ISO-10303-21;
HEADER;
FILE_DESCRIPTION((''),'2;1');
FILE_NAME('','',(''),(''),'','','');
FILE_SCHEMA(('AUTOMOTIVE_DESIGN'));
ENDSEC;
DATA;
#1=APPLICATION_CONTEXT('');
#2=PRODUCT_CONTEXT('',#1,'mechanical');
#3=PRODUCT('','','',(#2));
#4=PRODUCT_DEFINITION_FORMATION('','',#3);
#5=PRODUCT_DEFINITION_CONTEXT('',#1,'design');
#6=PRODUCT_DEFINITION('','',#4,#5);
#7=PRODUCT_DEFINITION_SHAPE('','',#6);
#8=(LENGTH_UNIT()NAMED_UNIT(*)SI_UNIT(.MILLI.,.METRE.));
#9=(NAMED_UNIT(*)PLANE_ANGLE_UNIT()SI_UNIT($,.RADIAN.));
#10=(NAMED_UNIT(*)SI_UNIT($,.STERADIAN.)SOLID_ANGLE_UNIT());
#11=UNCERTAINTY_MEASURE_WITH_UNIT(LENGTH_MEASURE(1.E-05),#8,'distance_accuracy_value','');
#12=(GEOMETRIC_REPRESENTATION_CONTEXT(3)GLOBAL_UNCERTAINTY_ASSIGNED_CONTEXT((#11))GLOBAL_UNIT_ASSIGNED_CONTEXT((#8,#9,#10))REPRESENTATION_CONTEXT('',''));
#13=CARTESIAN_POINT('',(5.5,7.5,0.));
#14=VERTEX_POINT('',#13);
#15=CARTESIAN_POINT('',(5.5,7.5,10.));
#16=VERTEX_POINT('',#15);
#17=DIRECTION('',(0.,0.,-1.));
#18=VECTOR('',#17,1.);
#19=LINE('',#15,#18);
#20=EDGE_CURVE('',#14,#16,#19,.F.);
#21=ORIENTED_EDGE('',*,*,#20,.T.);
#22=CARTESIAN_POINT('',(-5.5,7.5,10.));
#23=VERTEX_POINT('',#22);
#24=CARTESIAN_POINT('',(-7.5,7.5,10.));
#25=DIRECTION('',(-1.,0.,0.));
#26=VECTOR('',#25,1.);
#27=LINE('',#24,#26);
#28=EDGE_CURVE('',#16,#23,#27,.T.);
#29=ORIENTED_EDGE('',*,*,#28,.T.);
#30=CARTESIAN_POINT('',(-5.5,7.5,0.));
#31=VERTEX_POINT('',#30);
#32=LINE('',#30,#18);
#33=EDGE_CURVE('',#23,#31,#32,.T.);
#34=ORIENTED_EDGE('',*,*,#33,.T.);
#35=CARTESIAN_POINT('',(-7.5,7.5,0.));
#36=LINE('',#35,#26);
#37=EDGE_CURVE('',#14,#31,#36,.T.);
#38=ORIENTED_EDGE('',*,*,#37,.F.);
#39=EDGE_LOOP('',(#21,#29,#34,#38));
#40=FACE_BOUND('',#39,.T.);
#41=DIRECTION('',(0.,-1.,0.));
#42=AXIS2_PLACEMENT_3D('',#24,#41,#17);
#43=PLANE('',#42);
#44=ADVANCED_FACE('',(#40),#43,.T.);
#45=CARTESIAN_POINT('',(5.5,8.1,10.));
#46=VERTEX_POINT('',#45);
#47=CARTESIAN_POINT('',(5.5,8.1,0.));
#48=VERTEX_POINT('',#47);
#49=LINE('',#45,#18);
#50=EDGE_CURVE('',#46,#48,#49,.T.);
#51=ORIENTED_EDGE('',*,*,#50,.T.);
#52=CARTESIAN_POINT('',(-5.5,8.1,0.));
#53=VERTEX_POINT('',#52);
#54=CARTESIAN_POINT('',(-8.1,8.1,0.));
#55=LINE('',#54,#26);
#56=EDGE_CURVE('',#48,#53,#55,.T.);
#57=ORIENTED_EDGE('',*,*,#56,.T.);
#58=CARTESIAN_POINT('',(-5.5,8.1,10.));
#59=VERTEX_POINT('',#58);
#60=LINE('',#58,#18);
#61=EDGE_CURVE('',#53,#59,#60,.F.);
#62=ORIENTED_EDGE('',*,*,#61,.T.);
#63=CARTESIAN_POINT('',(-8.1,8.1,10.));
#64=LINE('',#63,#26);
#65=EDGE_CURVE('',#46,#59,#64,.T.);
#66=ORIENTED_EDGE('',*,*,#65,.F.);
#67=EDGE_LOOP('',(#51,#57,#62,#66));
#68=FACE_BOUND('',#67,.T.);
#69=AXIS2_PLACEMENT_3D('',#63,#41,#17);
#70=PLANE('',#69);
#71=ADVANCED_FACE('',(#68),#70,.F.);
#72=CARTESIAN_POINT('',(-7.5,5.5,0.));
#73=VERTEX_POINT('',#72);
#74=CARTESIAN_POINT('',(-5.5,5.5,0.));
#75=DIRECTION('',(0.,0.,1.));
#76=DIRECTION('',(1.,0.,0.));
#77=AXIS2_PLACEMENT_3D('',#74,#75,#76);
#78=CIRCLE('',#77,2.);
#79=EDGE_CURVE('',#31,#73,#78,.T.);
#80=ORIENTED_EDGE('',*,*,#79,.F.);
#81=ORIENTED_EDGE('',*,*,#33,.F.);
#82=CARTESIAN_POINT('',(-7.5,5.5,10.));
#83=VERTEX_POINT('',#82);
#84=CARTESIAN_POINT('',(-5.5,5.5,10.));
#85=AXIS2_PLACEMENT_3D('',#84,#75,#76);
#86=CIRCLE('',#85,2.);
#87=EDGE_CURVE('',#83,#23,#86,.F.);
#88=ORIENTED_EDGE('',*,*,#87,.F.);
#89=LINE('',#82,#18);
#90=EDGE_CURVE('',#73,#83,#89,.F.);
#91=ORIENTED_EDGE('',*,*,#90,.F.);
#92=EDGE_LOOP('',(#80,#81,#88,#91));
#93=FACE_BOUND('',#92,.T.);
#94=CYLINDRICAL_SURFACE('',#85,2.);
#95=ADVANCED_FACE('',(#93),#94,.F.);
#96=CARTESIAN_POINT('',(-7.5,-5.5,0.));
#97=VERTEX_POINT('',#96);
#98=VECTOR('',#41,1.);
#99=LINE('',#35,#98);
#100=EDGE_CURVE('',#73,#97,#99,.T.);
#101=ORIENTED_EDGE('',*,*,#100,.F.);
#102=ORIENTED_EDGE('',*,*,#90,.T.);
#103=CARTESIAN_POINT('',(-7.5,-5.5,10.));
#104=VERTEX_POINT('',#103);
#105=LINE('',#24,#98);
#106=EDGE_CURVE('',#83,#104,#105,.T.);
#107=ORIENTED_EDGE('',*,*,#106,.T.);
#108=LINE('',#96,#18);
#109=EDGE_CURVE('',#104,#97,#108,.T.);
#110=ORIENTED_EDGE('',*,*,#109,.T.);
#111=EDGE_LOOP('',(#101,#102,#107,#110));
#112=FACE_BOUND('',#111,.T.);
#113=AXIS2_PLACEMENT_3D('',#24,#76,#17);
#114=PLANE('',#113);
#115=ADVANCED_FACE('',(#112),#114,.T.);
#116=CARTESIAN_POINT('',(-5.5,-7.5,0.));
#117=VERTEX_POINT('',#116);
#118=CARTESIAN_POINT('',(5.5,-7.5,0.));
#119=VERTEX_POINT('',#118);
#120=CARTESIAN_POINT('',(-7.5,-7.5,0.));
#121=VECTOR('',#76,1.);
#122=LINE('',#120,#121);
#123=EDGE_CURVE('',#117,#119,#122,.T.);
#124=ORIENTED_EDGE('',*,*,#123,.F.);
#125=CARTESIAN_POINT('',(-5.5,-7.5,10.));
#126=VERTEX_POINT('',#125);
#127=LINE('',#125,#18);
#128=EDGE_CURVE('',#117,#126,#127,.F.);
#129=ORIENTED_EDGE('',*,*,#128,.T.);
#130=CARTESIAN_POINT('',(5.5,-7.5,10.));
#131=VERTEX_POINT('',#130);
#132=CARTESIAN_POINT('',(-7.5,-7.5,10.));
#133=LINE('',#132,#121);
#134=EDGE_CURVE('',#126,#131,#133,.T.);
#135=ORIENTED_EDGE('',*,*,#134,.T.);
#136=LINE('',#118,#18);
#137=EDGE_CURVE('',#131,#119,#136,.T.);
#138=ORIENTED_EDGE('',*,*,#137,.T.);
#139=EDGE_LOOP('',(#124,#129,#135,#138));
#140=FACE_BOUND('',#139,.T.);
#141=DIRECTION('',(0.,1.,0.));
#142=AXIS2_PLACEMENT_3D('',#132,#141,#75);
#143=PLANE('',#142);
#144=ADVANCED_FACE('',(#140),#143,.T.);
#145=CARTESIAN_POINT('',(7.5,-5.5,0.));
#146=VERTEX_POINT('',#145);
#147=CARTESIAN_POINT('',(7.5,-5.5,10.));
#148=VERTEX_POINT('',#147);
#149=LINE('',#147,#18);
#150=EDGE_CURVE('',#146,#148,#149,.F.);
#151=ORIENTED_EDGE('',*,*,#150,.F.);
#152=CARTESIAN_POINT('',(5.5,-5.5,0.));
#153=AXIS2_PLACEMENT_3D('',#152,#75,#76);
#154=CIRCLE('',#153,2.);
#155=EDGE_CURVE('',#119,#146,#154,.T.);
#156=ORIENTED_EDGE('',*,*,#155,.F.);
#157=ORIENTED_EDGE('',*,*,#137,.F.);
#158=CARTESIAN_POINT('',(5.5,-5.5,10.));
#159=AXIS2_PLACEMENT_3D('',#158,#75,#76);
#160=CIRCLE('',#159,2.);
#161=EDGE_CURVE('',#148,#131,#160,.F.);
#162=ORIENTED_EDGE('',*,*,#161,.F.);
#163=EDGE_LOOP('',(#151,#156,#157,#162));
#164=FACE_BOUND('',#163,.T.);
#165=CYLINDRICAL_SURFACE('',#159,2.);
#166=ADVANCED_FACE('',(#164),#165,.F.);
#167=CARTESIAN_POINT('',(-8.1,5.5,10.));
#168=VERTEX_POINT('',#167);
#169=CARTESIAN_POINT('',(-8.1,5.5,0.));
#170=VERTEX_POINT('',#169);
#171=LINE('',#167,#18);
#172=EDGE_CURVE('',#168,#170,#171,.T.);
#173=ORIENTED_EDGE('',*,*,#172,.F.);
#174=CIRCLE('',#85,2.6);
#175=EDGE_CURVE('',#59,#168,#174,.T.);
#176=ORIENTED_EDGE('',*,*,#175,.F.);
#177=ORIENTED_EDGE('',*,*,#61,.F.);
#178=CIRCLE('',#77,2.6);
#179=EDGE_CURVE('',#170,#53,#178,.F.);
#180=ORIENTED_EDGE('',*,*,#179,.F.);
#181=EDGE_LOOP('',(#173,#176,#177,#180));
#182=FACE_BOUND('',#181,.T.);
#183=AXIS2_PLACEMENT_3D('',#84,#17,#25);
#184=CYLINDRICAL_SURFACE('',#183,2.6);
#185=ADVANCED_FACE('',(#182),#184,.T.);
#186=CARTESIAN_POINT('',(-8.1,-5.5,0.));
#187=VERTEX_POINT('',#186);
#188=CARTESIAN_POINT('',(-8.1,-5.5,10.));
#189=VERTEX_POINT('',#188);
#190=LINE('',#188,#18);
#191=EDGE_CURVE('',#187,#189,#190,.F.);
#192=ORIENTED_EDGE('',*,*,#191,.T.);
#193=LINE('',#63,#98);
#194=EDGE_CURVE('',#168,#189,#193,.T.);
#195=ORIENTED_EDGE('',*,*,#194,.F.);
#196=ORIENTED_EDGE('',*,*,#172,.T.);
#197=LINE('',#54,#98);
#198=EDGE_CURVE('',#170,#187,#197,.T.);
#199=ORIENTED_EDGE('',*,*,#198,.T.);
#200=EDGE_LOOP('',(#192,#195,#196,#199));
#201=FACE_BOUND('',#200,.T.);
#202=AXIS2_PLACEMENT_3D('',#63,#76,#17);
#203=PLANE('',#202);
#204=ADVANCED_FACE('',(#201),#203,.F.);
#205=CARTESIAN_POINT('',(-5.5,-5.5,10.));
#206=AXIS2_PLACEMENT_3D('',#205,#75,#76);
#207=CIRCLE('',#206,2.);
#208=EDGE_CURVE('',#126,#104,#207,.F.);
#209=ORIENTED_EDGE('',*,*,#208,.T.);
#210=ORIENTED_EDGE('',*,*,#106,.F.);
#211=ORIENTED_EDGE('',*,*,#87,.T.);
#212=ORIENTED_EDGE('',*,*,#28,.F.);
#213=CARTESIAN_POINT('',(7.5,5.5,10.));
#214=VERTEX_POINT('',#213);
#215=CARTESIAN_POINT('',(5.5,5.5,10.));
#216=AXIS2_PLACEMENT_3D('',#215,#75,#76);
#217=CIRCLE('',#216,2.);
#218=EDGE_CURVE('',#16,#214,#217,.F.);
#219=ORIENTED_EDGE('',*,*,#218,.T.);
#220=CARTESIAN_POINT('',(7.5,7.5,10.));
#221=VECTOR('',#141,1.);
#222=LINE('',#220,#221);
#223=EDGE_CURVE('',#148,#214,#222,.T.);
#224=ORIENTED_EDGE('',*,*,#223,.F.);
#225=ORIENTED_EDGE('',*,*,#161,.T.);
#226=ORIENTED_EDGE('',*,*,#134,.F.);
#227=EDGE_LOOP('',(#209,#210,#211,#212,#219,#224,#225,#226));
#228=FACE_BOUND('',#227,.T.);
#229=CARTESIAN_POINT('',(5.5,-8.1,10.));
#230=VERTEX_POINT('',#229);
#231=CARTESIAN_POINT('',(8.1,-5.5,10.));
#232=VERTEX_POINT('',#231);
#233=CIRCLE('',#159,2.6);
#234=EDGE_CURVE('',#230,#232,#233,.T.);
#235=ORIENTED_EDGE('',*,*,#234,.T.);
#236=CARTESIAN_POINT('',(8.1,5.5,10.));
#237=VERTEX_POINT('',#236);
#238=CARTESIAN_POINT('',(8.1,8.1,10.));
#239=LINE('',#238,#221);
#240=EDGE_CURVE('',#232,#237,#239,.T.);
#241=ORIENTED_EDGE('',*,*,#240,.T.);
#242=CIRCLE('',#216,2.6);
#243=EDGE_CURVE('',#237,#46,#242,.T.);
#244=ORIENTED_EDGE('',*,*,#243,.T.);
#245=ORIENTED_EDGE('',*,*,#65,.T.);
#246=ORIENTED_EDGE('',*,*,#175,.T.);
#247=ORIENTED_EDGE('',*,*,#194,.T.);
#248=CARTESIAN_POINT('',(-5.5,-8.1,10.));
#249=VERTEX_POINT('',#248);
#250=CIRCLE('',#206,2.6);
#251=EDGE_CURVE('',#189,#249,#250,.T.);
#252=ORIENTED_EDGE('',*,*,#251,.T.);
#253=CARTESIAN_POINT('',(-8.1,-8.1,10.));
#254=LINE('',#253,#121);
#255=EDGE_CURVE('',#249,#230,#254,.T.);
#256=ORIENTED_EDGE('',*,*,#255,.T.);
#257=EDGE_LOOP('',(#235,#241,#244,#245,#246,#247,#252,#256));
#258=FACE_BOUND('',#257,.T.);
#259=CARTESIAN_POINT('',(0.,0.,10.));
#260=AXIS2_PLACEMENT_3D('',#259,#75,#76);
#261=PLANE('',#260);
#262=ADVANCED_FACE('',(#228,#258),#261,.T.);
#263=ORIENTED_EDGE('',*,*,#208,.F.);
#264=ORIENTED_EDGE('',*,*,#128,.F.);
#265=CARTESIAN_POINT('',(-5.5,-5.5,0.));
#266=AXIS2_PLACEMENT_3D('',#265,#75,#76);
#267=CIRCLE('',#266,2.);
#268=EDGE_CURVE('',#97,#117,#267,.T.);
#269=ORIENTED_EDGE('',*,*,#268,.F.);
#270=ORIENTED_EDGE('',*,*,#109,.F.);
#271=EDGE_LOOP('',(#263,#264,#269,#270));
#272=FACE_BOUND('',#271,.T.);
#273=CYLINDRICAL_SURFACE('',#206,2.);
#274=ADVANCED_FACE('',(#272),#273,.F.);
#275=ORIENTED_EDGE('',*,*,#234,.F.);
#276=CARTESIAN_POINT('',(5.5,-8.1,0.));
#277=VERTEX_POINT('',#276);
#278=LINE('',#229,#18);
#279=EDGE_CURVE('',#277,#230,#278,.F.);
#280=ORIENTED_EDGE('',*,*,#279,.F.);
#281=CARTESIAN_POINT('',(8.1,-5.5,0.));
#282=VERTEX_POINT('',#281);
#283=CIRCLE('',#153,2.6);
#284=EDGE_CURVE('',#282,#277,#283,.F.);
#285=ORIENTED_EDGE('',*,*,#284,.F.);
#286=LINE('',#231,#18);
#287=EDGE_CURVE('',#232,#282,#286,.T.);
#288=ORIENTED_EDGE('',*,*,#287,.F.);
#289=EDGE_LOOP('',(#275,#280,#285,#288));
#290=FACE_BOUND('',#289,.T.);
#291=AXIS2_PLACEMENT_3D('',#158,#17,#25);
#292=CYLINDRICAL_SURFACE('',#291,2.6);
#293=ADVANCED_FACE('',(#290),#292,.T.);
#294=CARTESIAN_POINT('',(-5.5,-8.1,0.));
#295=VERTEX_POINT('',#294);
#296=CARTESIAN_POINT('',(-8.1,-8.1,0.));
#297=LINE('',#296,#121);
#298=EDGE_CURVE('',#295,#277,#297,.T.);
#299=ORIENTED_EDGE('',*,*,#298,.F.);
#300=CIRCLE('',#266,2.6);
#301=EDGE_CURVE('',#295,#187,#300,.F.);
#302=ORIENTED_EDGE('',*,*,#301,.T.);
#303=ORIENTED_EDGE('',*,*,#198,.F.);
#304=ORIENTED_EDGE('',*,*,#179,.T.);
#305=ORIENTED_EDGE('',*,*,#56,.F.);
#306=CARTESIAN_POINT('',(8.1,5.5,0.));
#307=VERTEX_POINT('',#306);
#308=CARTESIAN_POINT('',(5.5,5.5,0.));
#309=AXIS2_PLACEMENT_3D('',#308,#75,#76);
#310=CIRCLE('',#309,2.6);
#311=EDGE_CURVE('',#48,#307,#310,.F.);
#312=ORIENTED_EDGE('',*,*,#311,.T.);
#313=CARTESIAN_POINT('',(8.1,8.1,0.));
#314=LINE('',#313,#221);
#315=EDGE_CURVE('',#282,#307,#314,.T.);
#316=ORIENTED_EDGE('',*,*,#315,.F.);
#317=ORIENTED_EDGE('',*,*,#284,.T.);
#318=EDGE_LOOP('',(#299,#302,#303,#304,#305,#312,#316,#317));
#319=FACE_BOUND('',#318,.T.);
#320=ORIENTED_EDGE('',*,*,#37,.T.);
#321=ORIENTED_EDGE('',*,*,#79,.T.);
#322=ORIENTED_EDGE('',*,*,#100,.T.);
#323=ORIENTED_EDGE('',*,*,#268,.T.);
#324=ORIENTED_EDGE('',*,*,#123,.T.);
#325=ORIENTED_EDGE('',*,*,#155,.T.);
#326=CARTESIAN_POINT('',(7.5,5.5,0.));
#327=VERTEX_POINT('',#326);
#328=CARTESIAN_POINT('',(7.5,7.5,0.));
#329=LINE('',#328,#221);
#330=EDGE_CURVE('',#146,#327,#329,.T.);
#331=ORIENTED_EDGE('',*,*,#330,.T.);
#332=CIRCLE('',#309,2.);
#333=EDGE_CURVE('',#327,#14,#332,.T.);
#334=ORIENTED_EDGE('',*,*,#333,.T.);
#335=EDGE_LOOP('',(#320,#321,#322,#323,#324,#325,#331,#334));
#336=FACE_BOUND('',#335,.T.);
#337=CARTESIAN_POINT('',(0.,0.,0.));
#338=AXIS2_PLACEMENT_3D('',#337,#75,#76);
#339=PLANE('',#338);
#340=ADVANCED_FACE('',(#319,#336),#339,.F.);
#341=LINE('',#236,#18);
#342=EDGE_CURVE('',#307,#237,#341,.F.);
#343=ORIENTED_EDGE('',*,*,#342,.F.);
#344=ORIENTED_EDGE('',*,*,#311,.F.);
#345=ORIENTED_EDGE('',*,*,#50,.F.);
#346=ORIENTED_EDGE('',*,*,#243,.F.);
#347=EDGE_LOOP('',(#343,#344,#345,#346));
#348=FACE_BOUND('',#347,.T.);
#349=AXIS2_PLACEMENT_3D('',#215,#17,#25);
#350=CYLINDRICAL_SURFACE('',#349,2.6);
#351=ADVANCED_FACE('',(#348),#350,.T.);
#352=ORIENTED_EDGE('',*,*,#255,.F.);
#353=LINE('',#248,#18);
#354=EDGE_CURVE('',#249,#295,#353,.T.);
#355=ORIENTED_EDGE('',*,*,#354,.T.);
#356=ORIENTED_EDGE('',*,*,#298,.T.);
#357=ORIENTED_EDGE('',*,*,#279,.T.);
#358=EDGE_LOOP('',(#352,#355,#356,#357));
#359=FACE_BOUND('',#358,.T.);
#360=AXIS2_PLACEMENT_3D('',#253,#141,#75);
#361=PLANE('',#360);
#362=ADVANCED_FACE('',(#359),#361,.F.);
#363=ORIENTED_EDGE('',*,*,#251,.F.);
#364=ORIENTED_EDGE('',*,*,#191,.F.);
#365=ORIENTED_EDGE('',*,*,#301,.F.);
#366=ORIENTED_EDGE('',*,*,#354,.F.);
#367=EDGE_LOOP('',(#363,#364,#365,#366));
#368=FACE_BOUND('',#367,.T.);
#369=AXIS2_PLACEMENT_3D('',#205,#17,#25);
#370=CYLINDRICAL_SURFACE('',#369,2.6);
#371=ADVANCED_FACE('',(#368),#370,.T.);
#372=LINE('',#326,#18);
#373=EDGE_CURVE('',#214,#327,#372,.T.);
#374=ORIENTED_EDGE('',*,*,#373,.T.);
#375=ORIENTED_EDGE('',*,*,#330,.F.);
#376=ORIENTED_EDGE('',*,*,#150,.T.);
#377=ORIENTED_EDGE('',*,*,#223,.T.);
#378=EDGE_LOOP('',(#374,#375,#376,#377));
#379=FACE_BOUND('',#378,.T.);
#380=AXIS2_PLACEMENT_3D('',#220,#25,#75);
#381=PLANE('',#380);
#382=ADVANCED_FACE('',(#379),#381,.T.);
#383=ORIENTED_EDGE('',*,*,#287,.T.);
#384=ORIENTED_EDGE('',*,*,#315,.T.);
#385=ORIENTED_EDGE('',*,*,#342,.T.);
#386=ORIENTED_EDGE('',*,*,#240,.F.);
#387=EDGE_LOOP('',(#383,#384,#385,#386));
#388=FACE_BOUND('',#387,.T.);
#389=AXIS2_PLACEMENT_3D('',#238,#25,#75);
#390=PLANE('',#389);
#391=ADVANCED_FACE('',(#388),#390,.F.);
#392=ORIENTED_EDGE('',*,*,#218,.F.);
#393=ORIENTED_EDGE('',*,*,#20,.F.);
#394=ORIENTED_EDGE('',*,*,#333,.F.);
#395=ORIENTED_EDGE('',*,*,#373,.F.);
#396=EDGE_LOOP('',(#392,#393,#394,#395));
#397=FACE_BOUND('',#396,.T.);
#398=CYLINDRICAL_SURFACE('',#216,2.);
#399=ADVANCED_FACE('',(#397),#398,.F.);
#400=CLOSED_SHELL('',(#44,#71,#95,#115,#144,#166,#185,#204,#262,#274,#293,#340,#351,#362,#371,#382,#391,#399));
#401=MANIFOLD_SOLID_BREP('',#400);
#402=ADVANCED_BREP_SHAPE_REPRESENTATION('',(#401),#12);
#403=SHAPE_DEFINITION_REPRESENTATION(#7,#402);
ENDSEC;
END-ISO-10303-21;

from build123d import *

# Parameters (mm, degrees)
SKETCH1_W           = 16.2
SKETCH1_H           = 16.2
SKETCH1_W_2         = 15
SKETCH1_H_2         = 15
BOSS_EXTRUDE1_DEPTH = 10
FILLET1_R           = 2
FILLET2_R           = 2.6


with BuildPart() as part:
    # Sketch1 → Boss-Extrude1 (new body)
    with BuildSketch(Plane.XY):
        Rectangle(SKETCH1_W, SKETCH1_H)
        Rectangle(SKETCH1_W_2, SKETCH1_H_2, mode=Mode.SUBTRACT)
    extrude(amount=BOSS_EXTRUDE1_DEPTH)

    # Fillet1
    fillet1_edges = [part.edges().sort_by_distance(p)[0] for p in [
        (7.5, -7.5, 5),
        (7.5, 7.5, 5),
        (-7.5, 7.5, 5),
        (-7.5, -7.5, 5),
    ]]
    fillet(fillet1_edges, radius=FILLET1_R)

    # Fillet2
    fillet2_edges = [part.edges().sort_by_distance(p)[0] for p in [
        (8.1, -8.1, 5),
        (-8.1, -8.1, 5),
        (-8.1, 8.1, 5),
        (8.1, 8.1, 5),
    ]]
    fillet(fillet2_edges, radius=FILLET2_R)


solid = part.part
